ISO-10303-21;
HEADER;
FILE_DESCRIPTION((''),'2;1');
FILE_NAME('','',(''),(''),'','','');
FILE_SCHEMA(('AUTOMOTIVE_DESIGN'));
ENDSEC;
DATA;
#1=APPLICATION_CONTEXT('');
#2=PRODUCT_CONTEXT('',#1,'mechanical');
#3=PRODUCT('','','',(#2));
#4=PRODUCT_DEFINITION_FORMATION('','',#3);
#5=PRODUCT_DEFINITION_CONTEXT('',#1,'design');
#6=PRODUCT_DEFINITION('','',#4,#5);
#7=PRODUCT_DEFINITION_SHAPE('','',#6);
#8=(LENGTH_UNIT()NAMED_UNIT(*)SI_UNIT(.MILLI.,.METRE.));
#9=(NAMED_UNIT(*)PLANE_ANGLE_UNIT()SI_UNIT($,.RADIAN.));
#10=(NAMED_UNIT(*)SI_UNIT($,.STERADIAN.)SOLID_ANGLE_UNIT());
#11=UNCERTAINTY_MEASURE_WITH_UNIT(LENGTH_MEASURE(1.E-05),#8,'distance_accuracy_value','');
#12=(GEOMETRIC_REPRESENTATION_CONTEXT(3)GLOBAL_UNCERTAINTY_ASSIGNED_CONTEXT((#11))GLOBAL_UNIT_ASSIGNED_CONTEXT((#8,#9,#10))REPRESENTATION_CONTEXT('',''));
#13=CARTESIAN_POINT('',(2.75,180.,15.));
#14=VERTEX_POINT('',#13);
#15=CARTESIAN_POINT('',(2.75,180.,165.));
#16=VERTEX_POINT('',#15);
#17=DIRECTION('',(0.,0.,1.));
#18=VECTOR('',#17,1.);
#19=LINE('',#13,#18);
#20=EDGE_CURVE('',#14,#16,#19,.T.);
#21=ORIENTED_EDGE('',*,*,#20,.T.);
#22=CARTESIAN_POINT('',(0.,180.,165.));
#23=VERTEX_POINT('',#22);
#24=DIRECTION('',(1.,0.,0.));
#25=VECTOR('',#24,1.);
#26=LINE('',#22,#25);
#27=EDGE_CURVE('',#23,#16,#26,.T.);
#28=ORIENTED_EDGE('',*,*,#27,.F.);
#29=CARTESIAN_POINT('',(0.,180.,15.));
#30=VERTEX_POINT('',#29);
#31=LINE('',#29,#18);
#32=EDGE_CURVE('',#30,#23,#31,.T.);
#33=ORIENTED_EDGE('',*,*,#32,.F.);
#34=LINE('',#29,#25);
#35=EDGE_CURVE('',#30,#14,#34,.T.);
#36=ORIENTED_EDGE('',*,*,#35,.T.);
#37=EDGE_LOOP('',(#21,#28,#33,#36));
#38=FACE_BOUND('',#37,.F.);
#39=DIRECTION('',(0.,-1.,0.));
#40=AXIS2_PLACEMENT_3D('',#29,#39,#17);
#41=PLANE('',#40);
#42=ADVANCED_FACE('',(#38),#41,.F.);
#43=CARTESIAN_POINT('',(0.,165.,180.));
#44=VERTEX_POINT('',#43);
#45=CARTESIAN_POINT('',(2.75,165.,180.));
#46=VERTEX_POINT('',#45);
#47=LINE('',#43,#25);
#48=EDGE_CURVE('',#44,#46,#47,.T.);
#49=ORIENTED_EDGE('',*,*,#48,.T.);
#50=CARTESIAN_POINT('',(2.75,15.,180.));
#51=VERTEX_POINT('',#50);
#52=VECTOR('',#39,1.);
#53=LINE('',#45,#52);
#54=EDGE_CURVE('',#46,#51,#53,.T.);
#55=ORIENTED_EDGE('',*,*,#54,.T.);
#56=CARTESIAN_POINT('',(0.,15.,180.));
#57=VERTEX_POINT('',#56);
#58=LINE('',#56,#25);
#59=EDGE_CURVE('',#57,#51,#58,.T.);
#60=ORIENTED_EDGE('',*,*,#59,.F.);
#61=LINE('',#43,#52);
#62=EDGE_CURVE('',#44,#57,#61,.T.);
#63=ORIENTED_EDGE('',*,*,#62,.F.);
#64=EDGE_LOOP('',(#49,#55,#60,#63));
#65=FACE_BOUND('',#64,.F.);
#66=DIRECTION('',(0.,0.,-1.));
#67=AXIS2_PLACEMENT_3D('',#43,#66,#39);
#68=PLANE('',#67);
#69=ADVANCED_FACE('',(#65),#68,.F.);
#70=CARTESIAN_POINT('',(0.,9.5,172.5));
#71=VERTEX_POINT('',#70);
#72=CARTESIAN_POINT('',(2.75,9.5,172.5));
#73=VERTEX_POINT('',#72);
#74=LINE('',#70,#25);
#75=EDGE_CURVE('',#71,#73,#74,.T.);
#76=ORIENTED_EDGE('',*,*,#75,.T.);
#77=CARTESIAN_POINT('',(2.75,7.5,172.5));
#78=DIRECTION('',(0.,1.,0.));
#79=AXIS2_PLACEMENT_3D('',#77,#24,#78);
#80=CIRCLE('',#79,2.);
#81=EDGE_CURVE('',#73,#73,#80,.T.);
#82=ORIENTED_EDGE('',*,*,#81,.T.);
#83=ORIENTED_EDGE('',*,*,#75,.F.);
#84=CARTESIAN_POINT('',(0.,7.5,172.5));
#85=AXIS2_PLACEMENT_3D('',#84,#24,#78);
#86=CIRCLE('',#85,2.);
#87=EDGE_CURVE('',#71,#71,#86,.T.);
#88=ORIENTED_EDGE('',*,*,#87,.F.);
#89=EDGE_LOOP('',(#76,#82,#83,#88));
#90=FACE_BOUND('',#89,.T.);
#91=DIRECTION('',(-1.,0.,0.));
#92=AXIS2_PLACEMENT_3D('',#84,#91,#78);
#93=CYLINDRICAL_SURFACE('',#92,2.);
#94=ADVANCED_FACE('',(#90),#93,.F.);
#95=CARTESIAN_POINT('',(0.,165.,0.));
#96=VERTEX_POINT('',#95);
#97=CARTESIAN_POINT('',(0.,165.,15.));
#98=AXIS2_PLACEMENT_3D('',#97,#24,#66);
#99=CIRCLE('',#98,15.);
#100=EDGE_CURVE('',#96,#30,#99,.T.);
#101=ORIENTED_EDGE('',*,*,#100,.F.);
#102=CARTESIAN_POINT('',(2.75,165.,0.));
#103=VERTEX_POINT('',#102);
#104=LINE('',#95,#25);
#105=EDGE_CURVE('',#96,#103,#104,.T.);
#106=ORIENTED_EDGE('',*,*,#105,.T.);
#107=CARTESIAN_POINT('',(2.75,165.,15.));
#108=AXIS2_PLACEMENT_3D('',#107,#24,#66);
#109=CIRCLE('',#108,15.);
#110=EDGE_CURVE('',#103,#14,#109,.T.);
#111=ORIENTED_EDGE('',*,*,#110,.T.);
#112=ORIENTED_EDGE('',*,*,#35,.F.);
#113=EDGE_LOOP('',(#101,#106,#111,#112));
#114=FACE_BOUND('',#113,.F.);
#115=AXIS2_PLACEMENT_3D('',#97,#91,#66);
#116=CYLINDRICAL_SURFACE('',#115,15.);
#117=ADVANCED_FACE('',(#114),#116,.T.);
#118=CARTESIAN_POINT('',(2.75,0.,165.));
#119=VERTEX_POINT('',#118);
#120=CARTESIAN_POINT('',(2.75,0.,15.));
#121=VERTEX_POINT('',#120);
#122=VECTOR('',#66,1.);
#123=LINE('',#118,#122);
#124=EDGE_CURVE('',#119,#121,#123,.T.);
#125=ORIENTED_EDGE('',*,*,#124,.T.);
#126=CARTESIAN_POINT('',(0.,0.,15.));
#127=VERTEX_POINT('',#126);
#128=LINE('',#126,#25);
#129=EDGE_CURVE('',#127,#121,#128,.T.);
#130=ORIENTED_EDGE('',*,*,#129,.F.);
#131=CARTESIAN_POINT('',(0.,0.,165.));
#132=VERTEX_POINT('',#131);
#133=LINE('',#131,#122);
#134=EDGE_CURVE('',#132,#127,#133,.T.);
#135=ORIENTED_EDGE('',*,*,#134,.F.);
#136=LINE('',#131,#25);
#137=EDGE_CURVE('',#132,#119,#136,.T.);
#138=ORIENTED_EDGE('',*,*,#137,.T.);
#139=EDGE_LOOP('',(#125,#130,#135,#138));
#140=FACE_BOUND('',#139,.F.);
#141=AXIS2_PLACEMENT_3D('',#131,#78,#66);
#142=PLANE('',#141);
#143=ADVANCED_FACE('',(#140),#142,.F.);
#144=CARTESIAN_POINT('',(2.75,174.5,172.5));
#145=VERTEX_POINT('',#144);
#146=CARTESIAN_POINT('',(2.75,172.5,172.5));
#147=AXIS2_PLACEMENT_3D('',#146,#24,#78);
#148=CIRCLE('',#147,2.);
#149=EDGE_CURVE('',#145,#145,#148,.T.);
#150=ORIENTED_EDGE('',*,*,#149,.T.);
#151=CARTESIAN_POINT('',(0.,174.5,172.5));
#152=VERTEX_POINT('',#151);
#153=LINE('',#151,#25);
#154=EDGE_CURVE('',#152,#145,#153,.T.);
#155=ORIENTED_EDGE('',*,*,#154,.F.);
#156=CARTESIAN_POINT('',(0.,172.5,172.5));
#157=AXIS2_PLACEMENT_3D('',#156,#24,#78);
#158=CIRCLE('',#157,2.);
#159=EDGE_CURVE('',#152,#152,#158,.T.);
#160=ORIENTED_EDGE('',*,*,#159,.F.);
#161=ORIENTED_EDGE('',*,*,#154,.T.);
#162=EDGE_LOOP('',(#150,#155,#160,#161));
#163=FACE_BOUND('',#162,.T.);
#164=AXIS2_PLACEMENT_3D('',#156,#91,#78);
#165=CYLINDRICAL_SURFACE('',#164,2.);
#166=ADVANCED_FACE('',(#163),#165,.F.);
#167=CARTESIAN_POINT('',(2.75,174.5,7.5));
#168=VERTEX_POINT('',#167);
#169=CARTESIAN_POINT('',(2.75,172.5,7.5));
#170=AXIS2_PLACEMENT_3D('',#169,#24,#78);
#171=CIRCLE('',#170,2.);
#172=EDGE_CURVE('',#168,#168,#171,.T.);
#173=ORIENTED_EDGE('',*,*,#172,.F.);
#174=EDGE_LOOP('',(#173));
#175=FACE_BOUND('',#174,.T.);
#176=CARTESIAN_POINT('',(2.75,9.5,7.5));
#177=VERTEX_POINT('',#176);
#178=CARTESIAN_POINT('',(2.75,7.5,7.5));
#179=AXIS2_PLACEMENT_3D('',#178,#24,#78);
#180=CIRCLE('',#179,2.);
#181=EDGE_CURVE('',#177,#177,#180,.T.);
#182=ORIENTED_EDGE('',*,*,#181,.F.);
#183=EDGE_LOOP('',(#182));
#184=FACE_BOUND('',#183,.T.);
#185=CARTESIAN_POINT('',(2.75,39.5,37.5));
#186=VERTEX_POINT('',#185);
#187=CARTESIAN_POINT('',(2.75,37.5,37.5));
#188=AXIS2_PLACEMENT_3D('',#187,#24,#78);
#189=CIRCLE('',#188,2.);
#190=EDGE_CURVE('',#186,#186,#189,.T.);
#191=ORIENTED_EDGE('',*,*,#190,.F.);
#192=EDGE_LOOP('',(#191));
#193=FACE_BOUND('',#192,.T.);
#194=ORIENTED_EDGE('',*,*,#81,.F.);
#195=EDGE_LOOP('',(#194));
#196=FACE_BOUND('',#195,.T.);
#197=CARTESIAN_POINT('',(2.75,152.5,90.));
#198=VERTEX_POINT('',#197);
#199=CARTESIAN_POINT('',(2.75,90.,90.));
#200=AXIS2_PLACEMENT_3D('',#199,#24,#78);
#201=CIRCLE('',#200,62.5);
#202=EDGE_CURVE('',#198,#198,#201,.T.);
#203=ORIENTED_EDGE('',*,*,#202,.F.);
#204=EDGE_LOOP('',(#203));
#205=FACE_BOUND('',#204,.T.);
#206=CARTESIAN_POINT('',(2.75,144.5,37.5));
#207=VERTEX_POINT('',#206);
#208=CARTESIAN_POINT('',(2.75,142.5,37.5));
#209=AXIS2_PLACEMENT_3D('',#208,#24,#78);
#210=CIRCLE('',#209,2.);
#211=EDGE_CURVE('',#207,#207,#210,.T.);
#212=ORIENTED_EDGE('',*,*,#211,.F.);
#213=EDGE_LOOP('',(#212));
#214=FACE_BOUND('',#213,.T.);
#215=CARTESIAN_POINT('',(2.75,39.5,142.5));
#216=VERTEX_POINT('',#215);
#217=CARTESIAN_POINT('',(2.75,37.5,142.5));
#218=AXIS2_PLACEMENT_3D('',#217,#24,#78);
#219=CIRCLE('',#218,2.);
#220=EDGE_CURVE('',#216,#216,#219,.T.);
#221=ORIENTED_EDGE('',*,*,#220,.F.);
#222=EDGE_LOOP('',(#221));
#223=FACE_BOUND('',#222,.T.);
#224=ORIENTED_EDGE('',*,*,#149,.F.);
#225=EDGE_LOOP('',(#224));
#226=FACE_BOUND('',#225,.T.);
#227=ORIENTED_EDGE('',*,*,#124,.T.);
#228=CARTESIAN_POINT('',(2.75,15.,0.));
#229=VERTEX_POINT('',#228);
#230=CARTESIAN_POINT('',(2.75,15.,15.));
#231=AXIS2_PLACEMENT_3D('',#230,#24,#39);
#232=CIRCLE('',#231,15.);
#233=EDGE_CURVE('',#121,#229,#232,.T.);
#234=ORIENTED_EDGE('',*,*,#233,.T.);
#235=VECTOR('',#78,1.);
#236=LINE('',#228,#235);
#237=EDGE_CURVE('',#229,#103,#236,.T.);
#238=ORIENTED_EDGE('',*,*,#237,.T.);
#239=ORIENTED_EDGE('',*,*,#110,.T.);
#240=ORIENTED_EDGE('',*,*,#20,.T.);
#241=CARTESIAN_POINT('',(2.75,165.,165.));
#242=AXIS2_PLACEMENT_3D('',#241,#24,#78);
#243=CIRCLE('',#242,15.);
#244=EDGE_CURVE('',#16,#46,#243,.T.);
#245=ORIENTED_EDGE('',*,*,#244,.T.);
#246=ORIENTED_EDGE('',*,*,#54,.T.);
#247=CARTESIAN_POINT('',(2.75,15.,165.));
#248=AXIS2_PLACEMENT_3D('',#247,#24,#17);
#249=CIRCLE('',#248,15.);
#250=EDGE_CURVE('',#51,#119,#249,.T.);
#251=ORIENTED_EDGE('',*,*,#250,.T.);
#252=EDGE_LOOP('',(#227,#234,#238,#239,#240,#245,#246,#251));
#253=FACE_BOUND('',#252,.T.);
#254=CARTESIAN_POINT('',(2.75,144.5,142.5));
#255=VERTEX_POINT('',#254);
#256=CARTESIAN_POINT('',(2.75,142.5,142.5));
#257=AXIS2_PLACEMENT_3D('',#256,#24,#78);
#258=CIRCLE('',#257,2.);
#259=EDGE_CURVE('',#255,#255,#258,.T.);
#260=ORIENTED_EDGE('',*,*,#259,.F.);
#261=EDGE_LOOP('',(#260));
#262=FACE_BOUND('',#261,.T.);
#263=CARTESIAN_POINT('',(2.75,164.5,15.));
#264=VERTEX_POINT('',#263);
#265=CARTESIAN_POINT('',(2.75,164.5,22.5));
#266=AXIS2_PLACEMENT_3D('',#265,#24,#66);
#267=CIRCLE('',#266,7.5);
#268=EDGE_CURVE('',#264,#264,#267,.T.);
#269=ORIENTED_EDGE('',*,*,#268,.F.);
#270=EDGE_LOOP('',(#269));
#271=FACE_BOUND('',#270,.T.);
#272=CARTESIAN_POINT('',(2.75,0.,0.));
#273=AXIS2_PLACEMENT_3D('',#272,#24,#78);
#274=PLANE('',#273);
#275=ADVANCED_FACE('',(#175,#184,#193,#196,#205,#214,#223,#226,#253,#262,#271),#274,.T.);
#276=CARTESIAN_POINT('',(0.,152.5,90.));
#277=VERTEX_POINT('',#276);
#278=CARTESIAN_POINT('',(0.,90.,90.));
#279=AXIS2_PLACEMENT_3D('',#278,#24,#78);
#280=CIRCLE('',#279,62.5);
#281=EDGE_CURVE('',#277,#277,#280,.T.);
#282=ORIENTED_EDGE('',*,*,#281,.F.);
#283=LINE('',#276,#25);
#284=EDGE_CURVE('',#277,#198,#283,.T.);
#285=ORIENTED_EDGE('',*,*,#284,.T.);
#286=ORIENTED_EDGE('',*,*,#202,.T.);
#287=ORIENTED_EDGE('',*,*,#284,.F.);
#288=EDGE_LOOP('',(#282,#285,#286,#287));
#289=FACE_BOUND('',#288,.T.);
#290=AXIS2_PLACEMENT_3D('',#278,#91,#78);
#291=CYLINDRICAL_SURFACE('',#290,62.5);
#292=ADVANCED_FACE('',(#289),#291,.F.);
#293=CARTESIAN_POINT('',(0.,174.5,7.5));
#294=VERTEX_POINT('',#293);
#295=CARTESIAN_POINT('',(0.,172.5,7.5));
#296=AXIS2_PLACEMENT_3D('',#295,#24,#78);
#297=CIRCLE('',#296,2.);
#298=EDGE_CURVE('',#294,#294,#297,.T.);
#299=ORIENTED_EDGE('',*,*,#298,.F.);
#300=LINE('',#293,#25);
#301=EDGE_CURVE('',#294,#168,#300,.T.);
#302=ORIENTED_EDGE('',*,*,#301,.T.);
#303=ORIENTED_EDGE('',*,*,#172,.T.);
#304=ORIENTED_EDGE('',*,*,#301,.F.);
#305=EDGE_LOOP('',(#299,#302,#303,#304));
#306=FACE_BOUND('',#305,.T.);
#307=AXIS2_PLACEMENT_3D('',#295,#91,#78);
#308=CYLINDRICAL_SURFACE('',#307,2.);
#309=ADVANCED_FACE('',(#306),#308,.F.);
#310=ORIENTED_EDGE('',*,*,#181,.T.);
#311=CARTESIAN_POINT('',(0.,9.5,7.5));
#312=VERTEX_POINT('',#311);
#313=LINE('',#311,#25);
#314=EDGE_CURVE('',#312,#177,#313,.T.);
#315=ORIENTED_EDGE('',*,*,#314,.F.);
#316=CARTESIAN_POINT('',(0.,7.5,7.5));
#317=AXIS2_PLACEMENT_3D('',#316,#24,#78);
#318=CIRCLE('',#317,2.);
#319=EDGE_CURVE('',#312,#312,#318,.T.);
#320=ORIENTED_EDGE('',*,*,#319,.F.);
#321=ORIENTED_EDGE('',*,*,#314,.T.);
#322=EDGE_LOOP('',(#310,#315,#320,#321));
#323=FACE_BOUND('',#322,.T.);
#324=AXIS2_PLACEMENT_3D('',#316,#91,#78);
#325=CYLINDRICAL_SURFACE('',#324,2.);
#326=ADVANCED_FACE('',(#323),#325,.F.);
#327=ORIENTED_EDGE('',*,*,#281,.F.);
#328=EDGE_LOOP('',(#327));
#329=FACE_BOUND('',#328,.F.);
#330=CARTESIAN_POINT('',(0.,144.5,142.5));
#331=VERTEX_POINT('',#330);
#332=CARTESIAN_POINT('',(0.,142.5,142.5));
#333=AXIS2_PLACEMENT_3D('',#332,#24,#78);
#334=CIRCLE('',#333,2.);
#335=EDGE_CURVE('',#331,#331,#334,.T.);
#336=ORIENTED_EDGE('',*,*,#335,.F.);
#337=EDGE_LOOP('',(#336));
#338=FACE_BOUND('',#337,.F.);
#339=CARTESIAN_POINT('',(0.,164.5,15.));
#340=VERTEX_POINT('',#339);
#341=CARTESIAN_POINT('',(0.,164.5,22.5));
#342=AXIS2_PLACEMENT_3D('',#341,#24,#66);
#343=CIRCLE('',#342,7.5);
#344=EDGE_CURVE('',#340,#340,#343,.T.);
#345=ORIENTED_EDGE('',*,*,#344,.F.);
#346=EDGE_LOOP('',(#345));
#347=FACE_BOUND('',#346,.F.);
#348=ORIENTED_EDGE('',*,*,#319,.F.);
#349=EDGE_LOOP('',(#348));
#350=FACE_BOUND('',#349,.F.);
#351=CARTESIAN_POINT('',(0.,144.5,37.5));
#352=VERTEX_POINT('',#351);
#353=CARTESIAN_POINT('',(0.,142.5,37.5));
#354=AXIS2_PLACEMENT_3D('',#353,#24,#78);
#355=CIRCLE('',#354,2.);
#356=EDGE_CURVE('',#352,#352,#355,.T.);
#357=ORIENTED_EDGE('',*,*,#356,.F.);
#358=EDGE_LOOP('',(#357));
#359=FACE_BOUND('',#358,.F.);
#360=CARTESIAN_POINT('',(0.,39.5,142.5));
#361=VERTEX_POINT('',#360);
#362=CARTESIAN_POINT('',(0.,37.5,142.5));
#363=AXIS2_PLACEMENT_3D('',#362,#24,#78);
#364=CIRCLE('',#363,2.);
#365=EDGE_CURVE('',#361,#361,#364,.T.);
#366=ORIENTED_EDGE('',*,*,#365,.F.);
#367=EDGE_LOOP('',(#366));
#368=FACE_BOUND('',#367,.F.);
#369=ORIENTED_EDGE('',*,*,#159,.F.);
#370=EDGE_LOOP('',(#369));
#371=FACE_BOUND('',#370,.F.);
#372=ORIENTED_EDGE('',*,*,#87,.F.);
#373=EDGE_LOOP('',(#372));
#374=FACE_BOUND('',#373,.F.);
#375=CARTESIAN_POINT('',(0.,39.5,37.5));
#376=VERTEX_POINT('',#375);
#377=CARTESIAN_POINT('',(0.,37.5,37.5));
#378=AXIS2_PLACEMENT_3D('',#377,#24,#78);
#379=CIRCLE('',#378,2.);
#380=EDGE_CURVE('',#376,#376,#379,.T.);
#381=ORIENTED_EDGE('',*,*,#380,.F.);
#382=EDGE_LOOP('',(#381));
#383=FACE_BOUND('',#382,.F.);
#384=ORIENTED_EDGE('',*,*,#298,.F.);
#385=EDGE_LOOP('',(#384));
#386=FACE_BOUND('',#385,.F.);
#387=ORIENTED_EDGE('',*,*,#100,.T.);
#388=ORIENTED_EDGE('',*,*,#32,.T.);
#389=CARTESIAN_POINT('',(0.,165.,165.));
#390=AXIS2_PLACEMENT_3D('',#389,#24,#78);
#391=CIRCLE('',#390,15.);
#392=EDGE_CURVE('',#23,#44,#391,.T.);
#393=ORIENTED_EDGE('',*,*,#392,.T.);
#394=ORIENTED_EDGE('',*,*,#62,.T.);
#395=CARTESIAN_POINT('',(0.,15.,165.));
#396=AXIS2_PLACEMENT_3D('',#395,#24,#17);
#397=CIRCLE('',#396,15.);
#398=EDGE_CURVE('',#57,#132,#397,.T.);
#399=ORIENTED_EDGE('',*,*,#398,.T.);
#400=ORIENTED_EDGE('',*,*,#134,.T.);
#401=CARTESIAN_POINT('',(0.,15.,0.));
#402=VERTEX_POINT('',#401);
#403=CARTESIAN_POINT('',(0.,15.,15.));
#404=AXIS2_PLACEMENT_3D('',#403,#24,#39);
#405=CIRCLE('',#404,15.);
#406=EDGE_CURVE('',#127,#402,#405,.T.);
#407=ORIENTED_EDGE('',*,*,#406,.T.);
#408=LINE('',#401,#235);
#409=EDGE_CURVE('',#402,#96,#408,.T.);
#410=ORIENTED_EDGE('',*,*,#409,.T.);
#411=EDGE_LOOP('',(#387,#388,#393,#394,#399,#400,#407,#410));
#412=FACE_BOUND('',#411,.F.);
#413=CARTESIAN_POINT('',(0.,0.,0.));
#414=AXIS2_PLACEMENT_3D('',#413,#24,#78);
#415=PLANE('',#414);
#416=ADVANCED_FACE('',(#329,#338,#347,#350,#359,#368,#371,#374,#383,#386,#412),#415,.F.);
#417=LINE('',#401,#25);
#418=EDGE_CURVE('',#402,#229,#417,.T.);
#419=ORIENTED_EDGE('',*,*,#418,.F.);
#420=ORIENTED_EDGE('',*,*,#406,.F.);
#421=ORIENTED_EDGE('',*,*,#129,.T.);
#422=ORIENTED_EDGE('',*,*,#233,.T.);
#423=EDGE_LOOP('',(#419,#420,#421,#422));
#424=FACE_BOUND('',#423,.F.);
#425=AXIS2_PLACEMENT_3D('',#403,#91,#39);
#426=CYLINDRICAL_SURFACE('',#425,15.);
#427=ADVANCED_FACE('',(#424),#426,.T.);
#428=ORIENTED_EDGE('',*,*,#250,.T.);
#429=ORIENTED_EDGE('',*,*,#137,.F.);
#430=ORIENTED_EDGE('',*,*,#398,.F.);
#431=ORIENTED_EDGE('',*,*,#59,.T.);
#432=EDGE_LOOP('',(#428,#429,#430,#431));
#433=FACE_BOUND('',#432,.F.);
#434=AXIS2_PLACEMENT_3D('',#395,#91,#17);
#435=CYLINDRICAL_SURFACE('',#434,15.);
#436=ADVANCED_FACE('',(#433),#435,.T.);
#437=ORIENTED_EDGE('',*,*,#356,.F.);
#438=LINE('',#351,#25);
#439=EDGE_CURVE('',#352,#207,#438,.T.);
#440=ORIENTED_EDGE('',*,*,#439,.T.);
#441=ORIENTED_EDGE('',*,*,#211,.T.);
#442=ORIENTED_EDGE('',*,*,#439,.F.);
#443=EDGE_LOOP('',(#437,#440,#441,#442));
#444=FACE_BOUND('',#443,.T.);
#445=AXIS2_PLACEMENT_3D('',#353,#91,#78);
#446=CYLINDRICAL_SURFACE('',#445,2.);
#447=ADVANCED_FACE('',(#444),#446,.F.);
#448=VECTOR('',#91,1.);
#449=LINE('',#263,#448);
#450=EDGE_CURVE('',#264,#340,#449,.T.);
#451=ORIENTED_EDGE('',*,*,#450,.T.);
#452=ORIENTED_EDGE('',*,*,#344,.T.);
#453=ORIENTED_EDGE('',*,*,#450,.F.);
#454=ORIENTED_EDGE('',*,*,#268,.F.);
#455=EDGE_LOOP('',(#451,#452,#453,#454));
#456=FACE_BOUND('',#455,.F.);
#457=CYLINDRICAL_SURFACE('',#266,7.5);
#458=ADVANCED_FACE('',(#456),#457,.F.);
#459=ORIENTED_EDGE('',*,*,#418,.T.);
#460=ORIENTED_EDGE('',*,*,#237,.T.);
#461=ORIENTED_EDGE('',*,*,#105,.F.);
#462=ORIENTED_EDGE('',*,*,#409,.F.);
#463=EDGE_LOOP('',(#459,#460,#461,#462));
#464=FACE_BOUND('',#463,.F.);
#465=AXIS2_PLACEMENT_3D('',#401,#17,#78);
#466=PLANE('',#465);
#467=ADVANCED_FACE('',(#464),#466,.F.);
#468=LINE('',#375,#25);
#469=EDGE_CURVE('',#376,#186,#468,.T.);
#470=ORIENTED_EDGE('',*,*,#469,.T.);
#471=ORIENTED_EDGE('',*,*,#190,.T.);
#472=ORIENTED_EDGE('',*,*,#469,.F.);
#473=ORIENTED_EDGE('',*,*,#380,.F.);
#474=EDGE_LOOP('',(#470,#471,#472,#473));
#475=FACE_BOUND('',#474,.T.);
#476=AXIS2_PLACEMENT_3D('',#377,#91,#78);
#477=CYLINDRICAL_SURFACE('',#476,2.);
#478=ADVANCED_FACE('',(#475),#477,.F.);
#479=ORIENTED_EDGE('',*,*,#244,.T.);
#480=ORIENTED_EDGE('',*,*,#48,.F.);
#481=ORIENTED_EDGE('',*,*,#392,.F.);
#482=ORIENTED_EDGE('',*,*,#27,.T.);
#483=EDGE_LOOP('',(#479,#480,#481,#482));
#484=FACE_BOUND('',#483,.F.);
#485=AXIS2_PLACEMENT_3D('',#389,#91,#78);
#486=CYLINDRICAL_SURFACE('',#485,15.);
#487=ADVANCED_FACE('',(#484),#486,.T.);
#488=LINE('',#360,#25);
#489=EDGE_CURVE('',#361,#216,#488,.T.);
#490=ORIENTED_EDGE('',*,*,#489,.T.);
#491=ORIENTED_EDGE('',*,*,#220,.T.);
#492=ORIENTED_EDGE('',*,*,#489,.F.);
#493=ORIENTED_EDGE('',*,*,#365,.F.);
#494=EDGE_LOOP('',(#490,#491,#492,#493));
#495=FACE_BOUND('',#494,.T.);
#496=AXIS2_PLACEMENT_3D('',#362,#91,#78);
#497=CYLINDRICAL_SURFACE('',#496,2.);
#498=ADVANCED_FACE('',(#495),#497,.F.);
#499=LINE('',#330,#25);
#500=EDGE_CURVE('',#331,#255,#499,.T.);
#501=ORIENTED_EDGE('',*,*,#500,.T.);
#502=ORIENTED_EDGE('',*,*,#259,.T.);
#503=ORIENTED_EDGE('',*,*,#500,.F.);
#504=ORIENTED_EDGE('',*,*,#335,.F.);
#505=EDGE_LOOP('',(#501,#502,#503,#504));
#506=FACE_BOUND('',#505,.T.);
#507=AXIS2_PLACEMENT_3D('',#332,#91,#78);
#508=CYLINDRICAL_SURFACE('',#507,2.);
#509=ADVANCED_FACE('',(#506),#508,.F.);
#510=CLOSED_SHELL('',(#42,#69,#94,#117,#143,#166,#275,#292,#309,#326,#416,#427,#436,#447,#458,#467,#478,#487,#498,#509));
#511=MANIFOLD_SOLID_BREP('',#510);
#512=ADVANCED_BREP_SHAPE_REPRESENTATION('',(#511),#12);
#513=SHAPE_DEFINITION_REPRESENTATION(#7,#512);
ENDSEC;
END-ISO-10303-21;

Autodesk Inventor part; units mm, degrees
ref_plane "YZ Plane" through (0, 0, 0) normal (1, 0, 0) x (0, 1, 0)
ref_plane "XZ Plane" through (0, 0, 0) normal (0, 1, 0) x (-1, 0, 0)
ref_plane "XY Plane" through (0, 0, 0) normal (0, 0, 1) x (1, 0, 0)
sketch "Sketch1" plane through (0, 0, 0) normal (1, 0, 0) x (0, 1, 0)
  line L0 (15, 0) -> (165, 0)
  line L1 (180, 15) -> (180, 165)
  line L2 (165, 180) -> (15, 180)
  line L3 (0, 165) -> (0, 15)
  line L4 (180, 180) -> (0, 0) construction
  line L5 (30, 30) -> (150, 30) construction
  line L6 (150, 30) -> (150, 150) construction
  line L7 (150, 150) -> (30, 150) construction
  line L8 (30, 150) -> (30, 30) construction
  line L9 (30, 30) -> (150, 150) construction
  line L10 (150, 30) -> (30, 150) construction
  line L11 (37.5, 37.5) -> (142.5, 37.5) construction
  line L12 (142.5, 37.5) -> (142.5, 142.5) construction
  line L13 (142.5, 142.5) -> (37.5, 142.5) construction
  line L14 (37.5, 142.5) -> (37.5, 37.5) construction
  line L15 (37.5, 37.5) -> (142.5, 142.5) construction
  line L16 (142.5, 37.5) -> (37.5, 142.5) construction
  circle A0 centre (142.5, 142.5) radius 2
  circle A1 centre (142.5, 37.5) radius 2
  circle A2 centre (37.5, 37.5) radius 2
  circle A3 centre (37.5, 142.5) radius 2
  circle A4 centre (90, 90) radius 62.5
  arc A5 (180, 165) -> (165, 180) centre (165, 165) ccw
  arc A6 (165, 0) -> (180, 15) centre (165, 15) ccw
  arc A7 (0, 15) -> (15, 0) centre (15, 15) ccw
  arc A8 (15, 180) -> (0, 165) centre (15, 165) ccw
  line L17 (7.5, 7.5) -> (172.5, 7.5) construction
  line L18 (172.5, 7.5) -> (172.5, 172.5) construction
  line L19 (172.5, 172.5) -> (7.5, 172.5) construction
  line L20 (7.5, 172.5) -> (7.5, 7.5) construction
  line L21 (7.5, 7.5) -> (172.5, 172.5) construction
  line L22 (172.5, 7.5) -> (7.5, 172.5) construction
  circle A9 centre (172.5, 172.5) radius 2
  circle A10 centre (172.5, 7.5) radius 2
  circle A11 centre (7.5, 7.5) radius 2
  circle A12 centre (7.5, 172.5) radius 2
  dimension "d0" = 180
  dimension "d1" = 180
  dimension "d2" = 120
  dimension "d3" = 105
  dimension "d4" = 4
  dimension "d5" = 125
  dimension "d6" = 15
  dimension "d9" = 4
  dimension "d10" = 165
extrude "Extrusion1" add sketch "Sketch1" along normal blind 2.75
sketch "Sketch2" plane through (2.75, 0, 0) normal (1, 0, 0) x (0, 0, -1)
  circle A0 centre (-22.5, 164.5) radius 7.5
  circle A1 centre (-7.5, 172.5) radius 2 projected
  point P0 (0, 0)
  dimension "d11" = 15
  dimension "d12" = 15
  dimension "d13" = 8
extrude "Extrusion2" cut sketch "Sketch2" against normal blind 10 contours A0
properties part number "TrayPanelD_120mmAdapter"
